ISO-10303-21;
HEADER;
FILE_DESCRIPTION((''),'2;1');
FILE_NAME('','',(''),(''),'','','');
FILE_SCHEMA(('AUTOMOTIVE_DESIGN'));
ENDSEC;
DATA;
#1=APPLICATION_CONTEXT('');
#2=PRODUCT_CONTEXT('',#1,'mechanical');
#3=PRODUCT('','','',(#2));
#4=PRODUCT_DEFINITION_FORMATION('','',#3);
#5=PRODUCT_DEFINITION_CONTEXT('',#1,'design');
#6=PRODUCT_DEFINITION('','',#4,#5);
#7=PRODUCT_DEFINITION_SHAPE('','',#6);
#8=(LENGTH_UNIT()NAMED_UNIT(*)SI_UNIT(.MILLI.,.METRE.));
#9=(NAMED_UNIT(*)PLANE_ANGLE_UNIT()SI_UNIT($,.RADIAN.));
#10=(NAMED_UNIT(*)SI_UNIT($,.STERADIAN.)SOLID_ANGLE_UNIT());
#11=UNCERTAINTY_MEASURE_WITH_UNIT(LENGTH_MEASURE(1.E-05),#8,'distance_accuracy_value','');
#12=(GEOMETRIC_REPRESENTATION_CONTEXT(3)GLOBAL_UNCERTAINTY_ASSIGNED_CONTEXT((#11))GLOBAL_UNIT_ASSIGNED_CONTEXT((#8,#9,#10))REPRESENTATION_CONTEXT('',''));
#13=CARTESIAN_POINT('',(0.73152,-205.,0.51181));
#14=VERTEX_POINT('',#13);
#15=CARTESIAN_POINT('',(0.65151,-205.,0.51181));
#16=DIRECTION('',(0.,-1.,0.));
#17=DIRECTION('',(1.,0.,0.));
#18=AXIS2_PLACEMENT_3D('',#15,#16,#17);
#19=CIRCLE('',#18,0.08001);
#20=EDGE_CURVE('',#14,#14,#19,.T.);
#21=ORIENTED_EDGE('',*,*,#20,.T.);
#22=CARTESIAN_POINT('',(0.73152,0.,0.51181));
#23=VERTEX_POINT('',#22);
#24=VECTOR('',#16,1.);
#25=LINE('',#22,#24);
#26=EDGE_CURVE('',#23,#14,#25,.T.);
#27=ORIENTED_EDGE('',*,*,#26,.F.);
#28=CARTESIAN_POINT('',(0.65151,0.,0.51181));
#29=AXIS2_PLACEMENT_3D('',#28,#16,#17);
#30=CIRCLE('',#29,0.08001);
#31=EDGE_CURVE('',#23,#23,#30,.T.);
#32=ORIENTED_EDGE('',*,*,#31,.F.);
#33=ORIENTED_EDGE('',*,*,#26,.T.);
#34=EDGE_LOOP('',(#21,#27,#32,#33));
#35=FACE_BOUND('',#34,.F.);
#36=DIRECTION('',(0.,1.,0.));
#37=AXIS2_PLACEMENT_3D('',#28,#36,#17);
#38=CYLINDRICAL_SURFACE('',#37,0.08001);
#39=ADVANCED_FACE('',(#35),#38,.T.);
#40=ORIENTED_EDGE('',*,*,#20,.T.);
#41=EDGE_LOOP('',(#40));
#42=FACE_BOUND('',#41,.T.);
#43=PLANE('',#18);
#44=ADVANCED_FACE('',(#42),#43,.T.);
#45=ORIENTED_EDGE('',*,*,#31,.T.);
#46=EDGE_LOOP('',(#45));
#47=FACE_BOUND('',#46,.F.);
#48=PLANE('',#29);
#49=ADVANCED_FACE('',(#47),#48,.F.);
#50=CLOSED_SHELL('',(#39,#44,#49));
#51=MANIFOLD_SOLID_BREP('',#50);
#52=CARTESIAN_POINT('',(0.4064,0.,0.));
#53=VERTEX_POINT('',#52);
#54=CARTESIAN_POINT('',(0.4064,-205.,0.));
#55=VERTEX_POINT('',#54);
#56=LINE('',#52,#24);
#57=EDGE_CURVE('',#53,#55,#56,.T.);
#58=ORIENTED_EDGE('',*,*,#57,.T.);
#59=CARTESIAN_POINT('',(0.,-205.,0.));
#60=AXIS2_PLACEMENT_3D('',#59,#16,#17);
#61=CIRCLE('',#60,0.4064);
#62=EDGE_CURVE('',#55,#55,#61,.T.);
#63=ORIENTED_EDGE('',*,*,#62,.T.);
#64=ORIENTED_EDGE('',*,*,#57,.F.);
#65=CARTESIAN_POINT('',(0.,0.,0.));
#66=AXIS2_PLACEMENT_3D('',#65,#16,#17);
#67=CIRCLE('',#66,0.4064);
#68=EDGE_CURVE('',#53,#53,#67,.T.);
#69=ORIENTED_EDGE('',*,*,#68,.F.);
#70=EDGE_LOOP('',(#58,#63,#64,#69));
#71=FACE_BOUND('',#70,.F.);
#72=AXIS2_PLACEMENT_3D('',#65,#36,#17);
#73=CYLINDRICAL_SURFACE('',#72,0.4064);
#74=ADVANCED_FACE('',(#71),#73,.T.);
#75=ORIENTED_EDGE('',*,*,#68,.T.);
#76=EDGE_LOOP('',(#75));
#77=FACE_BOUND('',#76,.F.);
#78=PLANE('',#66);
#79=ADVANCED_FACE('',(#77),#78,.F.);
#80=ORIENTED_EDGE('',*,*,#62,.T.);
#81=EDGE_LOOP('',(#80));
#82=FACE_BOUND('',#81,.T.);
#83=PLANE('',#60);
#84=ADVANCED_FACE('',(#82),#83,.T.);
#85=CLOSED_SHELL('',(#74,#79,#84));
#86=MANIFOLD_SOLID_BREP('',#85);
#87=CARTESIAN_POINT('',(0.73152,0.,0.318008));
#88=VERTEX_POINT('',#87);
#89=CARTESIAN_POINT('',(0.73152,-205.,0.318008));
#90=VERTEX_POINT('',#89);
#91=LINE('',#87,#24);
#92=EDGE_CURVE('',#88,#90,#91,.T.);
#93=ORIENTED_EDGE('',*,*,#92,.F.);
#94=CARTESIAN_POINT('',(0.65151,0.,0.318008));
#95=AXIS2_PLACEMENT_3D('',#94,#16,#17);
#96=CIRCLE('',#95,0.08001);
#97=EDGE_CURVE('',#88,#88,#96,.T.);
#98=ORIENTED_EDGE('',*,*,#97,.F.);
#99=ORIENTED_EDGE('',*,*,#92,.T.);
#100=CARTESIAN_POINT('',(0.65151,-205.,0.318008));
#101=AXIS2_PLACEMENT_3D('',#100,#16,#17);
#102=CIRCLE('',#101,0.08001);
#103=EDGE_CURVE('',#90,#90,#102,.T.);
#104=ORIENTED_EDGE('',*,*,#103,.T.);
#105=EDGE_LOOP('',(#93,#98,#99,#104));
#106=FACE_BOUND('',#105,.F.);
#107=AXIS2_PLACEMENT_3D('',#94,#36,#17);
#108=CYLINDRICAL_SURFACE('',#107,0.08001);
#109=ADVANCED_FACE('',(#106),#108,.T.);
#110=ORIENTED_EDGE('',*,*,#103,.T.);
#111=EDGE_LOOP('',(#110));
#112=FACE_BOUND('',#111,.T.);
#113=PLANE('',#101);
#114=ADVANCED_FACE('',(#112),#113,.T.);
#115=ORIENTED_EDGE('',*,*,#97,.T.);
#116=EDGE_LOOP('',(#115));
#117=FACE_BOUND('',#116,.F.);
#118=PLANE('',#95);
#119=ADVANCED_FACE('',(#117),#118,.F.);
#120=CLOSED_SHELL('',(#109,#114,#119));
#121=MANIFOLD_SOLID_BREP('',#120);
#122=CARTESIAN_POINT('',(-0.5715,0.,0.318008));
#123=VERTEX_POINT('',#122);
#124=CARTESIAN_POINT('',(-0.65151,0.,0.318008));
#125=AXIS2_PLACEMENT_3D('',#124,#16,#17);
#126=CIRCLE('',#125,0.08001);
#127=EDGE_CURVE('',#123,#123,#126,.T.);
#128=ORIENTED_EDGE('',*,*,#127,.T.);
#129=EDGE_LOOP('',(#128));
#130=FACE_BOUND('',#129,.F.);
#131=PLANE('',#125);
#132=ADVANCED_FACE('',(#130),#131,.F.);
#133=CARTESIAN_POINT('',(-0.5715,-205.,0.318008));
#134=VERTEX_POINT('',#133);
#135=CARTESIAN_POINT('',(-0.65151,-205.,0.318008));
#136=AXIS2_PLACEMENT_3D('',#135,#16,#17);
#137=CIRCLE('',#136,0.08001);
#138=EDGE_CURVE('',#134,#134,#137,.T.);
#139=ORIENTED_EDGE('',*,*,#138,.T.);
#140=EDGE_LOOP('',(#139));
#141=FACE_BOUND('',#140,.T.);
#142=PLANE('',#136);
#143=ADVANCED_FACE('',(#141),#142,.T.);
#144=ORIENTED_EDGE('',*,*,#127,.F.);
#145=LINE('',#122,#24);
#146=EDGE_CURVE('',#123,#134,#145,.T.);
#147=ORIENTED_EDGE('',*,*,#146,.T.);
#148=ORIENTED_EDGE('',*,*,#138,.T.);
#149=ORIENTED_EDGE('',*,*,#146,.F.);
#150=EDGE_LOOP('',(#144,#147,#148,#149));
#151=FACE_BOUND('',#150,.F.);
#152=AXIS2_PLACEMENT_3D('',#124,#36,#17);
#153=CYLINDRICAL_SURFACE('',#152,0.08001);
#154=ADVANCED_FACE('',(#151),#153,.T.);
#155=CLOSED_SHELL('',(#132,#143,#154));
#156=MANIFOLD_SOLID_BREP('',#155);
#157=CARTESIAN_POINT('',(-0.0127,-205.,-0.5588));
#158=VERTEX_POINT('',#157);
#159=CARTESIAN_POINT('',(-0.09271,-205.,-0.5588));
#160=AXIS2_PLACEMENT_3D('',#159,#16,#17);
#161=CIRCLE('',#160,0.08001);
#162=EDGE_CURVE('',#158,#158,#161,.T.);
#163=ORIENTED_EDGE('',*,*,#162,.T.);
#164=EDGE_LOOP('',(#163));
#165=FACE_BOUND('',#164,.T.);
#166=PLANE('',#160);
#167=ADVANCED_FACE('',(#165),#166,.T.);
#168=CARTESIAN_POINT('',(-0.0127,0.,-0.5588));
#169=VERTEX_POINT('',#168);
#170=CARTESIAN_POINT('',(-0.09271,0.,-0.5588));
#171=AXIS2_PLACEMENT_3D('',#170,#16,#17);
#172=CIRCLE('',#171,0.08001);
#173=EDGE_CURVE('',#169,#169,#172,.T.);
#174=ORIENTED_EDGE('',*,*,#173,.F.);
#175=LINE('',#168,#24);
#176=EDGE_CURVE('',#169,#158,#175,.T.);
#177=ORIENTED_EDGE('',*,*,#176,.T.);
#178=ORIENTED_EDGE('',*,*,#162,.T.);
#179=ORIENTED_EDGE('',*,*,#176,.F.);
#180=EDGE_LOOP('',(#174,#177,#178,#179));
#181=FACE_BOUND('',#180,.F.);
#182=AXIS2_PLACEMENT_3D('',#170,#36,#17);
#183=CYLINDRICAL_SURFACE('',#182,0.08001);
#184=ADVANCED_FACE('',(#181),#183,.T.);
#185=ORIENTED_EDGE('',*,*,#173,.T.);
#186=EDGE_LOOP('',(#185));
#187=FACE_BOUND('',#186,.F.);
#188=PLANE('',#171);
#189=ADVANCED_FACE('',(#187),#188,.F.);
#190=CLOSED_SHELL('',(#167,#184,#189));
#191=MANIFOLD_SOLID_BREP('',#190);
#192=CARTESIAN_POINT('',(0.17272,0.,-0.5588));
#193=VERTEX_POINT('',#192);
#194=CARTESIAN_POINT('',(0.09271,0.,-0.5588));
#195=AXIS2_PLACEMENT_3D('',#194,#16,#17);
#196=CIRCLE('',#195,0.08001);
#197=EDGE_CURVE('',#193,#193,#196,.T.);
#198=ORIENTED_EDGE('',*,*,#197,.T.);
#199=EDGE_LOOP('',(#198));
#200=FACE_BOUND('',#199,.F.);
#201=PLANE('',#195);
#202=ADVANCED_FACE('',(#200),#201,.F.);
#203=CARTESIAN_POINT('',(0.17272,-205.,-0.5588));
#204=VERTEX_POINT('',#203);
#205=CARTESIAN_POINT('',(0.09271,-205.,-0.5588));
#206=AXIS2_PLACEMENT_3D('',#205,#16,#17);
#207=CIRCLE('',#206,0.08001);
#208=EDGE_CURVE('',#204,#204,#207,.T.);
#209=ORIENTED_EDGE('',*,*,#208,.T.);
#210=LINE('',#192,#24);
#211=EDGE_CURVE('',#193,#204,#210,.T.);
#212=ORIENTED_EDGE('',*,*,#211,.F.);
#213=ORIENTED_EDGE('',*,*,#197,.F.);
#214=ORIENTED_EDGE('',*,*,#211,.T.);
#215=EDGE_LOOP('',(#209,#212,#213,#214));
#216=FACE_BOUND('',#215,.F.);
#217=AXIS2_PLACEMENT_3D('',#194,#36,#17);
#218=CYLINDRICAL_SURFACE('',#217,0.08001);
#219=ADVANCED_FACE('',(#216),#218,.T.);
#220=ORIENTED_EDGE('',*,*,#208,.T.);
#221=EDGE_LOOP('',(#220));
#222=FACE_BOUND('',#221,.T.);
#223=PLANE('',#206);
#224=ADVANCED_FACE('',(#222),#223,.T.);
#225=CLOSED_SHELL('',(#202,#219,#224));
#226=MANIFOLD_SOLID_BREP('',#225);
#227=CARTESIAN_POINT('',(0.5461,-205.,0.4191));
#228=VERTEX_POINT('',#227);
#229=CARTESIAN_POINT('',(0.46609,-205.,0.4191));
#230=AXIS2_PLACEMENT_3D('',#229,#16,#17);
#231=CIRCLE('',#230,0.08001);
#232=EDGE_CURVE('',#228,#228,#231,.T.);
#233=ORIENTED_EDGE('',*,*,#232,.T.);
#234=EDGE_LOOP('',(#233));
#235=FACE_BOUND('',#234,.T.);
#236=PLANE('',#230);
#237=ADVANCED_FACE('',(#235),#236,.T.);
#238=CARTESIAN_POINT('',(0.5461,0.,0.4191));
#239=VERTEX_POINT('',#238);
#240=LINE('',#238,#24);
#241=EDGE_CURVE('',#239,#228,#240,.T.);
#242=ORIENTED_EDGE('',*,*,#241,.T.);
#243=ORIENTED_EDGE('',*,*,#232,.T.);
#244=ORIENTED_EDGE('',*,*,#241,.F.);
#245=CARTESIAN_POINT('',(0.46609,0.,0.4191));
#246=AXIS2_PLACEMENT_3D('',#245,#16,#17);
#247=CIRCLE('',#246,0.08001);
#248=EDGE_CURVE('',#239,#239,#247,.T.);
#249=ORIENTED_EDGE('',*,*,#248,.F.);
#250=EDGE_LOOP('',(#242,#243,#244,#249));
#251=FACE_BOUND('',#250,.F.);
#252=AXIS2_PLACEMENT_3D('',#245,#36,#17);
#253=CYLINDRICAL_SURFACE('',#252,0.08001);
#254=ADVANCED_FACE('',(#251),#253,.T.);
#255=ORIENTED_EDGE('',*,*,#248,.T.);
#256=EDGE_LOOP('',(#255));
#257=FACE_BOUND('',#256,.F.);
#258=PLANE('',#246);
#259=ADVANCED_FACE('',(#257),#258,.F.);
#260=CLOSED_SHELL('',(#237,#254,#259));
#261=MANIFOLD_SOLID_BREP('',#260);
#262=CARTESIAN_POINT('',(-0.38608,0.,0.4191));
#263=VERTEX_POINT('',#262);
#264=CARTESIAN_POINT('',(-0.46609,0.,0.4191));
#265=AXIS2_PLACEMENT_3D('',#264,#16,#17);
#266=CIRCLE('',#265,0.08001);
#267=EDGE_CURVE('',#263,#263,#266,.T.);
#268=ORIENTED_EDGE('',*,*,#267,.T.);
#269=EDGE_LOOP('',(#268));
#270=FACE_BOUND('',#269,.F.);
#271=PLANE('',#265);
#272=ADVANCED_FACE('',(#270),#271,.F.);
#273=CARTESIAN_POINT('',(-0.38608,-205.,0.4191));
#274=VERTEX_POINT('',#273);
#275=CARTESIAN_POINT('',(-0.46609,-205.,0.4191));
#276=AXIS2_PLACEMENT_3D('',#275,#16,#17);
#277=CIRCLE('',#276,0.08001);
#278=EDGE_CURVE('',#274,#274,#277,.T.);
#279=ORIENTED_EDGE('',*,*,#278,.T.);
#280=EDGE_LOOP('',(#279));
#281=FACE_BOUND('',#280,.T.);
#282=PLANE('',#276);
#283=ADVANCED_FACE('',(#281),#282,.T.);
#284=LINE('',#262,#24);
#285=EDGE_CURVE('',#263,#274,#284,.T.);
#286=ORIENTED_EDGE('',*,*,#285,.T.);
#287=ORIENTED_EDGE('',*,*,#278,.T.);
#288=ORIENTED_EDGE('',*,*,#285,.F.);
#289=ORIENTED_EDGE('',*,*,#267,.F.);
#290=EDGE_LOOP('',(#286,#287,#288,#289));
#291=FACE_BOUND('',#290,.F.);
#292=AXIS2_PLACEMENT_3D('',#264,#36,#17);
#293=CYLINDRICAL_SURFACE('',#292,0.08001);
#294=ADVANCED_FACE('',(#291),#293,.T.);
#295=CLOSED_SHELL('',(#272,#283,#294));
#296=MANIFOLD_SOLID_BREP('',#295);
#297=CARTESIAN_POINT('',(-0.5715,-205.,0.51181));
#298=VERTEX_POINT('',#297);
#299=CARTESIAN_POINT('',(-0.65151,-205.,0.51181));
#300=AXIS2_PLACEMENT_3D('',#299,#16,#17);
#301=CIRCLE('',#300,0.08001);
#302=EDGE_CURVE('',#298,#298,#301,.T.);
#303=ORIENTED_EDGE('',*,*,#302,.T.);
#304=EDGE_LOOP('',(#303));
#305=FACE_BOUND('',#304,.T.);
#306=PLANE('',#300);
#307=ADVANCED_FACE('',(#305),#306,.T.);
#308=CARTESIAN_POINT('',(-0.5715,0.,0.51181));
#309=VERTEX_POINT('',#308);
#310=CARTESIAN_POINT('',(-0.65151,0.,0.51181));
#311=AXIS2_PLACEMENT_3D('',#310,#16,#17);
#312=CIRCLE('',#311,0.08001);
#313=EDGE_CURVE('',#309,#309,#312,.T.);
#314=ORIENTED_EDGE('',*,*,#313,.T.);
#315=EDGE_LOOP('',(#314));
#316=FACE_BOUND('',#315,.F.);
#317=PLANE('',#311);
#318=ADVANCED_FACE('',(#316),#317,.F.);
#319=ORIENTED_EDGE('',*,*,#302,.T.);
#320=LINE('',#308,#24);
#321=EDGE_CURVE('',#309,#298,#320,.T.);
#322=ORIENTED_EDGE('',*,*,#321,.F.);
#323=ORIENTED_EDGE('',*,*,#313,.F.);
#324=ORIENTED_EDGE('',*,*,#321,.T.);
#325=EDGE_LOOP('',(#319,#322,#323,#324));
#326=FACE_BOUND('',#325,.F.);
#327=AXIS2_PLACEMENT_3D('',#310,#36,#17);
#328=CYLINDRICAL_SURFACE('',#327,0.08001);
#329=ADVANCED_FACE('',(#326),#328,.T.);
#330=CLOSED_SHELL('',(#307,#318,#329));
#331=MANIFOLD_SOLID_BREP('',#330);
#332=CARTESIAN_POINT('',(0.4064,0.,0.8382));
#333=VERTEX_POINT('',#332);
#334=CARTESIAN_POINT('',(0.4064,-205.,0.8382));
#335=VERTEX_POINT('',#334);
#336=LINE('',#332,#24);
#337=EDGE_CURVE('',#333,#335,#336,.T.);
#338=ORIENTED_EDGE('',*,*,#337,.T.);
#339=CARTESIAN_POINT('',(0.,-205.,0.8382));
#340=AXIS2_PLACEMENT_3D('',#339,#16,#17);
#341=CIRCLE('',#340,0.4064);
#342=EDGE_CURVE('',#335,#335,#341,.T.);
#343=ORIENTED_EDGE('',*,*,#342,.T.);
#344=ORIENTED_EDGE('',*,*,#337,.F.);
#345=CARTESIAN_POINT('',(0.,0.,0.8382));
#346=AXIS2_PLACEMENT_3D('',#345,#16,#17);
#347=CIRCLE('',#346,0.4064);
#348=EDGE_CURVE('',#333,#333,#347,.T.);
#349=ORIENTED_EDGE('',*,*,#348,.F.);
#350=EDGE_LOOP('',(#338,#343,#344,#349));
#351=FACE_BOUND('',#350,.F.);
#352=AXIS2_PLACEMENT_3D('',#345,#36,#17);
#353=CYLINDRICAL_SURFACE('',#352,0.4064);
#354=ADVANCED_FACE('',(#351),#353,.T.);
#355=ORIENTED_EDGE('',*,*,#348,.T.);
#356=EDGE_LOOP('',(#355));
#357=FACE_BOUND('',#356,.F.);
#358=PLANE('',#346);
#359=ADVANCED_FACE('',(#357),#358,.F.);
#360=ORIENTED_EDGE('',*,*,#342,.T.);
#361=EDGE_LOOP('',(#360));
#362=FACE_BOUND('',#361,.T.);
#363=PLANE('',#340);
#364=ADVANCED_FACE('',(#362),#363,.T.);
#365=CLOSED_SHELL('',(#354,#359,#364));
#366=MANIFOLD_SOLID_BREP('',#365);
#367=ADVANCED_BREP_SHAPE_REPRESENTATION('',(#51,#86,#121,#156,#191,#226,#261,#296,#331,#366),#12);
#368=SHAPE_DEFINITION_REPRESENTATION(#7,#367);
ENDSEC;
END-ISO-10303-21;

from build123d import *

# Parameters (mm, degrees)
F0_R     = 0.4064
F0_R_2   = 0.08001
F1_DEPTH = 205


with BuildPart() as f1:
    # F0 (on Front) → F1 (new body)
    with BuildSketch(Plane.XZ):
        with Locations((0, 0.8382)):
            Circle(F0_R)
        Circle(F0_R)
        with Locations((-0.46609, 0.4191)):
            Circle(F0_R_2)
        with Locations((-0.65151, 0.51181)):
            Circle(F0_R_2)
        with Locations((-0.65151, 0.318008)):
            Circle(F0_R_2)
        with Locations((0.46609, 0.4191)):
            Circle(F0_R_2)
        with Locations((0.65151, 0.51181)):
            Circle(F0_R_2)
        with Locations((0.65151, 0.318008)):
            Circle(F0_R_2)
        with Locations((0.09271, -0.5588)):
            Circle(F0_R_2)
        with Locations((-0.09271, -0.5588)):
            Circle(F0_R_2)
    extrude(amount=F1_DEPTH)


solid = f1.part
